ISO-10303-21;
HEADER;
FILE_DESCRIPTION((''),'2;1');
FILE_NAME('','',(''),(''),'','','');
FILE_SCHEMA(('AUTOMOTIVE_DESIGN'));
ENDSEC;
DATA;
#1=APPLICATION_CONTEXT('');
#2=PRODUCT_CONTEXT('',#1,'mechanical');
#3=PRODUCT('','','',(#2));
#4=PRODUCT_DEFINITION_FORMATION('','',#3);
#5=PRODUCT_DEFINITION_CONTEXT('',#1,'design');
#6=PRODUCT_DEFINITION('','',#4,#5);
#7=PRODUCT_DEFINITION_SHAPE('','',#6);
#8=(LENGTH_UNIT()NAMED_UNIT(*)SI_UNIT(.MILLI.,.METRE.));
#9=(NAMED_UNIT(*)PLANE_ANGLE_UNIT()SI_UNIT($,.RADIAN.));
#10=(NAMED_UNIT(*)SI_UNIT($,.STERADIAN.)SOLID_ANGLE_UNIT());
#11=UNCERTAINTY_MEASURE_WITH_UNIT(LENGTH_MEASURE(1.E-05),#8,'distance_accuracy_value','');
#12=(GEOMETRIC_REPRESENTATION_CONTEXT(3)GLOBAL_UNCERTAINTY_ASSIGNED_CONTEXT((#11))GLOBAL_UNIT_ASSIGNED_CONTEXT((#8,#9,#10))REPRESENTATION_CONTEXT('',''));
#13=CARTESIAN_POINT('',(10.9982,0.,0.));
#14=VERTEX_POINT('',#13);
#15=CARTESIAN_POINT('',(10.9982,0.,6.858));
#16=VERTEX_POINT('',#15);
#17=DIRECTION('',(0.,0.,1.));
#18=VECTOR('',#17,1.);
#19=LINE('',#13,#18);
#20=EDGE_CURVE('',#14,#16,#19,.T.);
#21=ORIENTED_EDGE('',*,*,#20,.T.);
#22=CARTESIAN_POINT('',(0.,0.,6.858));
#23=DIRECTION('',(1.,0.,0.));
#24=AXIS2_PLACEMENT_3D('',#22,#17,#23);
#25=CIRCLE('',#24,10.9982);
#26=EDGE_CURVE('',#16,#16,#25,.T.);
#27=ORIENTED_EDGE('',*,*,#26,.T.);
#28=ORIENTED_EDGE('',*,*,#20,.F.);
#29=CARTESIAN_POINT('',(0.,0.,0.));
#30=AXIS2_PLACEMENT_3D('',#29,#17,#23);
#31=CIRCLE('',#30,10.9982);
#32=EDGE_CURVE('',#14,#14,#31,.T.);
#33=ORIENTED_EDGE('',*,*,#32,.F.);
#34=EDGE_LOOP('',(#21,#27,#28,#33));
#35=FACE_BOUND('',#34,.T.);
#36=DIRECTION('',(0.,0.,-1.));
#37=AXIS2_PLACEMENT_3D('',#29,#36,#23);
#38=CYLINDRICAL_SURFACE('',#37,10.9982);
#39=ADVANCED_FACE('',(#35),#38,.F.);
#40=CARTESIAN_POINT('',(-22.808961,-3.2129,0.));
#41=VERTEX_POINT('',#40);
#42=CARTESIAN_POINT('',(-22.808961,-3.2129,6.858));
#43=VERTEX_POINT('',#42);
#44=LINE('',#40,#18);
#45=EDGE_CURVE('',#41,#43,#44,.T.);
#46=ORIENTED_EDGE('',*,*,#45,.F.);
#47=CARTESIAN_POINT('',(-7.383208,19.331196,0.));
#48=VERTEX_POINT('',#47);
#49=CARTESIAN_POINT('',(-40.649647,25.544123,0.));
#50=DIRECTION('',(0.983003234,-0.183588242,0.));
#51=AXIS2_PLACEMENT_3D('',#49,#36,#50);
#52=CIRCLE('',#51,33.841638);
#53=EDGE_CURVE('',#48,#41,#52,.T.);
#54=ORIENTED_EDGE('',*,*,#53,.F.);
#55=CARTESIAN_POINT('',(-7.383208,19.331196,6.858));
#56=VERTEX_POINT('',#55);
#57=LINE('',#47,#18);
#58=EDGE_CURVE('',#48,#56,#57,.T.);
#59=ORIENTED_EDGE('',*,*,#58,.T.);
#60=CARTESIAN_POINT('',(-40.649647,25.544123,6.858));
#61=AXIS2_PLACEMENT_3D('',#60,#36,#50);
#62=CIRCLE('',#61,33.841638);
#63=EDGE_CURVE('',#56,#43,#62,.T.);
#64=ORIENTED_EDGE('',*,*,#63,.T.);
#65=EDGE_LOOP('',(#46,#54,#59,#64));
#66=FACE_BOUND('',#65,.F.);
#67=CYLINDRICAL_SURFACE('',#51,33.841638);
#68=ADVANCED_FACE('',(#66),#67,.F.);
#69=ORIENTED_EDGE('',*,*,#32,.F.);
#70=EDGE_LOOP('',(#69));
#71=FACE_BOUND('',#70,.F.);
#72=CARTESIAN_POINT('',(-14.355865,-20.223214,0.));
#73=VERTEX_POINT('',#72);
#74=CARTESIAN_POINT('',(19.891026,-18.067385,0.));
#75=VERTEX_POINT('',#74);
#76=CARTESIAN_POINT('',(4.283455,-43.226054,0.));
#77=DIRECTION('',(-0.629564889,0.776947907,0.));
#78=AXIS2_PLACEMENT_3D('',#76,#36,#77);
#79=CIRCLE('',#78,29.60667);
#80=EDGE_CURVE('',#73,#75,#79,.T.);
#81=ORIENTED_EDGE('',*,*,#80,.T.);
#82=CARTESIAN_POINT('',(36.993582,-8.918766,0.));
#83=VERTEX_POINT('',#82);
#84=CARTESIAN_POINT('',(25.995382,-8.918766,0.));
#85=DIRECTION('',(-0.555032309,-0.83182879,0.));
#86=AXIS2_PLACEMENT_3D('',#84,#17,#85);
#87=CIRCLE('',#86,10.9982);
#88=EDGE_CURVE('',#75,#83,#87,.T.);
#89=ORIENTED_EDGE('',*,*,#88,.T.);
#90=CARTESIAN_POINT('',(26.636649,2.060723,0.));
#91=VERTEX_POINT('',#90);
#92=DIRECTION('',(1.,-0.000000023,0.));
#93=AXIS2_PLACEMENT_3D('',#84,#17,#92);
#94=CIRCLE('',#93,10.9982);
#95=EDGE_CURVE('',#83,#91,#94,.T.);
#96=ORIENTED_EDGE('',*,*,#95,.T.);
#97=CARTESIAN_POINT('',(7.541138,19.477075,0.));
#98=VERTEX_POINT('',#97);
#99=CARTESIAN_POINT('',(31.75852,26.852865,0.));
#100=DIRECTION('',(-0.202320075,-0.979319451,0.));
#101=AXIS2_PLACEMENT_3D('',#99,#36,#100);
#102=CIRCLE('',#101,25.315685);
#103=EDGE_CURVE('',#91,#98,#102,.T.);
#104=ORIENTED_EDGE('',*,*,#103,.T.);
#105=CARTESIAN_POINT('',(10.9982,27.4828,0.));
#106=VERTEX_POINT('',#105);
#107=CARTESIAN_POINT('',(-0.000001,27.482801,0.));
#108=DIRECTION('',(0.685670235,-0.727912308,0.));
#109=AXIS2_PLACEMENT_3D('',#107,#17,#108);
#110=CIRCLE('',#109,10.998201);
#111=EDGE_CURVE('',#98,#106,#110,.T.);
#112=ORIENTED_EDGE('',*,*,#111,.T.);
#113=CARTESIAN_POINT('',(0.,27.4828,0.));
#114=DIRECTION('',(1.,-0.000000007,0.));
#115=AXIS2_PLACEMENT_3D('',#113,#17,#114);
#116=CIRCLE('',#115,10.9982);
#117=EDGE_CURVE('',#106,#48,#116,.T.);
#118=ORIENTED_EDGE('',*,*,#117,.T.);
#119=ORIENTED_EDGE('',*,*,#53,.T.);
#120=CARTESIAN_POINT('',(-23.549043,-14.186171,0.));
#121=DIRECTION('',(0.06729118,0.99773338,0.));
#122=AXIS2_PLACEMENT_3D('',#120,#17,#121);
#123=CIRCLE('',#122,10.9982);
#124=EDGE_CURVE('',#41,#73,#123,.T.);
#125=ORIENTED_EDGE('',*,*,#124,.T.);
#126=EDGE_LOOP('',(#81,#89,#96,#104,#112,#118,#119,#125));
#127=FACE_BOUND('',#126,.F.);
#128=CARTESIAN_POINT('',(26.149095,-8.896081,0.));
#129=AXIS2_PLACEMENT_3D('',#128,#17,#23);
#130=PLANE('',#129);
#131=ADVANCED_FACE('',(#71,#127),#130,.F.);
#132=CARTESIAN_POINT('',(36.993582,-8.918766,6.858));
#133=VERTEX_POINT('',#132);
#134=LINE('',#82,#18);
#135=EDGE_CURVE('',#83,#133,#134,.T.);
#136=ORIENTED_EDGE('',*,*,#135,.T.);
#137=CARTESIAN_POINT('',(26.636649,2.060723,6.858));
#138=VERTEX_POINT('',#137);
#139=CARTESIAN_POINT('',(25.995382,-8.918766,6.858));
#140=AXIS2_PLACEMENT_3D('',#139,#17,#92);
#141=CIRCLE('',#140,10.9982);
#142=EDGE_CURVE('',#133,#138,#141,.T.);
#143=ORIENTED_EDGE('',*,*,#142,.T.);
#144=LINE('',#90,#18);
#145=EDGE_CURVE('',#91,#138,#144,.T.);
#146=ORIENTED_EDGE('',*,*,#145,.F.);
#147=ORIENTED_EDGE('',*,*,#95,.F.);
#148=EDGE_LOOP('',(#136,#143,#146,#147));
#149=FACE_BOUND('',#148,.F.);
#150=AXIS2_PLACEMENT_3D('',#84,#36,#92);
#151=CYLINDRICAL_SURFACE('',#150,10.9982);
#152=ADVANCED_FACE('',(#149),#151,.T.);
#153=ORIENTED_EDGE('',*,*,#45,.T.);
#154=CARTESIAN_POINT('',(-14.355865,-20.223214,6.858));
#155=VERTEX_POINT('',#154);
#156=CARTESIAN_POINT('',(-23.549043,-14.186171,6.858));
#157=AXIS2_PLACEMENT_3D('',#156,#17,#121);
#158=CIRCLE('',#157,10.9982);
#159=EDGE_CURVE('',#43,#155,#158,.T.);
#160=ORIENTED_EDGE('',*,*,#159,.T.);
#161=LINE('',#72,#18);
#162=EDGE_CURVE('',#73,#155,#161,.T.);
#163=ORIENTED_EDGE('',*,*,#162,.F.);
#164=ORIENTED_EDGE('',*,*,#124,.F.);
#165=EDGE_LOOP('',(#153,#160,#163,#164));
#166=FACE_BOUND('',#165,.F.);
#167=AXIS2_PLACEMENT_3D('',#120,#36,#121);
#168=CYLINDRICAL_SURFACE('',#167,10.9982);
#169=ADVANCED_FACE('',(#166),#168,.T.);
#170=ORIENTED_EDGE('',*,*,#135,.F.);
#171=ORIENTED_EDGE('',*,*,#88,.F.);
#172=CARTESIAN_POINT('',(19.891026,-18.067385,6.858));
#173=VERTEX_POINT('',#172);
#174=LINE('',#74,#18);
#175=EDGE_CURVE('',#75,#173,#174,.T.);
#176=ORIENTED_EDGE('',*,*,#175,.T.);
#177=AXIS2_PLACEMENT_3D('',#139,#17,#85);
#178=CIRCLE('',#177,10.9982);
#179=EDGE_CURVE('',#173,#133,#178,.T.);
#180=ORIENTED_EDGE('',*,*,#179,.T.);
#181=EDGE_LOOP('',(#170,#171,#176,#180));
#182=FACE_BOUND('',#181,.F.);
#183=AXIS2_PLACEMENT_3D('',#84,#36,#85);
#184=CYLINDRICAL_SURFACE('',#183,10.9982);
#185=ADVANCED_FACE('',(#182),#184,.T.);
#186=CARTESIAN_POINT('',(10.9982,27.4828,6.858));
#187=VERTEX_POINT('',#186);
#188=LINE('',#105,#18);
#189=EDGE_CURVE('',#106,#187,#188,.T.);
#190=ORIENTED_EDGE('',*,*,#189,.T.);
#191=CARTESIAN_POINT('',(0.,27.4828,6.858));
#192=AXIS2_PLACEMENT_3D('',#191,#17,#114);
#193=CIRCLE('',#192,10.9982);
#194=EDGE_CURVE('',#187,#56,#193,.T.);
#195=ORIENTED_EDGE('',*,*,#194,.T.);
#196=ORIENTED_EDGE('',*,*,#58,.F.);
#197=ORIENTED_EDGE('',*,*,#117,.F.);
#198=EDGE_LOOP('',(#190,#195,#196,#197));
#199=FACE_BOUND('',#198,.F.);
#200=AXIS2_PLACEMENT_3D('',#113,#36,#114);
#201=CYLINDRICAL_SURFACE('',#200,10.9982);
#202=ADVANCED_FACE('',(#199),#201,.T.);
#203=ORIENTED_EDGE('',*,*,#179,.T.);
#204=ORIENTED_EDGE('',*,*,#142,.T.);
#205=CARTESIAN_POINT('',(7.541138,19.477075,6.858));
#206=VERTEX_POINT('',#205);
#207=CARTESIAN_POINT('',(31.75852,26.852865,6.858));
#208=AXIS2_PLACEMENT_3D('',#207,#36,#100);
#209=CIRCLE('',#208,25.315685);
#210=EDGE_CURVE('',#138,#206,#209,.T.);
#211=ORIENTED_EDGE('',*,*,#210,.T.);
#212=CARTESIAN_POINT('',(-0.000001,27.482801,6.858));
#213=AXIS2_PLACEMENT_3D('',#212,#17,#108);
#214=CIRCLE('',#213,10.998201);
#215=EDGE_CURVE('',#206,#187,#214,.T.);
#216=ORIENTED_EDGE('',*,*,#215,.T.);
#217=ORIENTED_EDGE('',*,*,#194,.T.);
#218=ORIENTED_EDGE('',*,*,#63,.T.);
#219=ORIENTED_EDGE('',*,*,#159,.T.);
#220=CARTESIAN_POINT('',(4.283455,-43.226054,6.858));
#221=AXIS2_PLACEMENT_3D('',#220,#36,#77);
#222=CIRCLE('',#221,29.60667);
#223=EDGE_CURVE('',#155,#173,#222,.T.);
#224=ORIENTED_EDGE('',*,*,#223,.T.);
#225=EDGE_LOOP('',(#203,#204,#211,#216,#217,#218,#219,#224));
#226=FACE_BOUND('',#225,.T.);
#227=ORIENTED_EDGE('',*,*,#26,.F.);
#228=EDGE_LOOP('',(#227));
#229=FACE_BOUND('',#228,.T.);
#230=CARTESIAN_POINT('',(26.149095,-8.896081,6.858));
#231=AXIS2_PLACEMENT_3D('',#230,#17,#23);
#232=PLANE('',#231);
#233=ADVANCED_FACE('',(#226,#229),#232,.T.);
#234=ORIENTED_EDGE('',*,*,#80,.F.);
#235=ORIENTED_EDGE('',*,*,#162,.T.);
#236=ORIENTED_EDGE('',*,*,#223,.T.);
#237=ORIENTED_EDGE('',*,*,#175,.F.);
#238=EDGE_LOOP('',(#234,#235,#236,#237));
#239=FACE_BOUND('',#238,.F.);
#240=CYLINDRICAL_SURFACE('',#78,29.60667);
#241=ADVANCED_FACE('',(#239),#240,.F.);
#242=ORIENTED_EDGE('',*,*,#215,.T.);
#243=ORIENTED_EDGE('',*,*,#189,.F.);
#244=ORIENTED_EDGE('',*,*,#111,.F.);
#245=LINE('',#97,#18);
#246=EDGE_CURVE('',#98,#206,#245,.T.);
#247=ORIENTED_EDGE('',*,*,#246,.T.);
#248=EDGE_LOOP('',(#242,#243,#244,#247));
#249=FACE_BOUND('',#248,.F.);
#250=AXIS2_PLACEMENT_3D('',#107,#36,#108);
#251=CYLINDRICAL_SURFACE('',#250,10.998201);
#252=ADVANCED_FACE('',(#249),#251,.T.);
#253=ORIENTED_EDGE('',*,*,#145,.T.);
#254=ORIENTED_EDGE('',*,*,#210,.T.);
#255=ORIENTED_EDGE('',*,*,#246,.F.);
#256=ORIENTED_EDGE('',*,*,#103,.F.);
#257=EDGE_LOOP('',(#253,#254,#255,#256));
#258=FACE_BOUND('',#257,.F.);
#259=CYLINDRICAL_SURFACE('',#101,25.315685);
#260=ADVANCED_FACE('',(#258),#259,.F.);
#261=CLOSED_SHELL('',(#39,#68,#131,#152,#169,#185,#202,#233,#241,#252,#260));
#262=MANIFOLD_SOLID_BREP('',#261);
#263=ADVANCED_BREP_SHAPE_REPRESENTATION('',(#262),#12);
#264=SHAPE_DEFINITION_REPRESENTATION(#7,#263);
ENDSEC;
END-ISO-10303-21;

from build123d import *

# Parameters (mm, degrees)
F0_R     = 10.9982
F1_DEPTH = 6.858


with BuildPart() as f1:
    # F0 (on Top) → F1 (new body)
    with BuildSketch(Plane.XY):
        with BuildLine():
            ThreePointArc((19.891026, -18.067385), (31.183034, -18.616635), (36.993582, -8.918766))
            ThreePointArc((36.993582, -8.918766), (33.995794, -1.371991), (26.636649, 2.060723))
            ThreePointArc((26.636649, 2.060723), (15.567222, -5.42393), (19.891026, -18.067385))
        make_face()
        with BuildLine():
            ThreePointArc((19.891026, -18.067385), (15.567222, -5.42393), (26.636649, 2.060723))
            ThreePointArc((26.636649, 2.060723), (14.698911, 8.148491), (7.541138, 19.477075))
            ThreePointArc((7.541138, 19.477075), (0.107497, 16.485125), (-7.383208, 19.331196))
            ThreePointArc((-7.383208, 19.331196), (-12.720386, 6.433581), (-22.808961, -3.2129))
            ThreePointArc((-22.808961, -3.2129), (-15.514742, -6.675484), (-12.550843, -14.186171))
            ThreePointArc((-12.550843, -14.186171), (-13.011756, -17.336726), (-14.355865, -20.223214))
            ThreePointArc((-14.355865, -20.223214), (2.423408, -13.677871), (19.891026, -18.067385))
        make_face()
        Circle(F0_R, mode=Mode.SUBTRACT)
        with BuildLine():
            ThreePointArc((-7.383208, 19.331196), (0.107497, 16.485125), (7.541138, 19.477075))
            ThreePointArc((7.541138, 19.477075), (10.097013, 23.122671), (10.9982, 27.4828))
            ThreePointArc((10.9982, 27.4828), (-4.45861, 37.536715), (-7.383208, 19.331196))
        make_face()
        with BuildLine():
            ThreePointArc((-22.808961, -3.2129), (-33.39816, -19.080586), (-14.355865, -20.223214))
            ThreePointArc((-14.355865, -20.223214), (-13.011756, -17.336726), (-12.550843, -14.186171))
            ThreePointArc((-12.550843, -14.186171), (-15.514742, -6.675484), (-22.808961, -3.2129))
        make_face()
    extrude(amount=F1_DEPTH)


solid = f1.part
